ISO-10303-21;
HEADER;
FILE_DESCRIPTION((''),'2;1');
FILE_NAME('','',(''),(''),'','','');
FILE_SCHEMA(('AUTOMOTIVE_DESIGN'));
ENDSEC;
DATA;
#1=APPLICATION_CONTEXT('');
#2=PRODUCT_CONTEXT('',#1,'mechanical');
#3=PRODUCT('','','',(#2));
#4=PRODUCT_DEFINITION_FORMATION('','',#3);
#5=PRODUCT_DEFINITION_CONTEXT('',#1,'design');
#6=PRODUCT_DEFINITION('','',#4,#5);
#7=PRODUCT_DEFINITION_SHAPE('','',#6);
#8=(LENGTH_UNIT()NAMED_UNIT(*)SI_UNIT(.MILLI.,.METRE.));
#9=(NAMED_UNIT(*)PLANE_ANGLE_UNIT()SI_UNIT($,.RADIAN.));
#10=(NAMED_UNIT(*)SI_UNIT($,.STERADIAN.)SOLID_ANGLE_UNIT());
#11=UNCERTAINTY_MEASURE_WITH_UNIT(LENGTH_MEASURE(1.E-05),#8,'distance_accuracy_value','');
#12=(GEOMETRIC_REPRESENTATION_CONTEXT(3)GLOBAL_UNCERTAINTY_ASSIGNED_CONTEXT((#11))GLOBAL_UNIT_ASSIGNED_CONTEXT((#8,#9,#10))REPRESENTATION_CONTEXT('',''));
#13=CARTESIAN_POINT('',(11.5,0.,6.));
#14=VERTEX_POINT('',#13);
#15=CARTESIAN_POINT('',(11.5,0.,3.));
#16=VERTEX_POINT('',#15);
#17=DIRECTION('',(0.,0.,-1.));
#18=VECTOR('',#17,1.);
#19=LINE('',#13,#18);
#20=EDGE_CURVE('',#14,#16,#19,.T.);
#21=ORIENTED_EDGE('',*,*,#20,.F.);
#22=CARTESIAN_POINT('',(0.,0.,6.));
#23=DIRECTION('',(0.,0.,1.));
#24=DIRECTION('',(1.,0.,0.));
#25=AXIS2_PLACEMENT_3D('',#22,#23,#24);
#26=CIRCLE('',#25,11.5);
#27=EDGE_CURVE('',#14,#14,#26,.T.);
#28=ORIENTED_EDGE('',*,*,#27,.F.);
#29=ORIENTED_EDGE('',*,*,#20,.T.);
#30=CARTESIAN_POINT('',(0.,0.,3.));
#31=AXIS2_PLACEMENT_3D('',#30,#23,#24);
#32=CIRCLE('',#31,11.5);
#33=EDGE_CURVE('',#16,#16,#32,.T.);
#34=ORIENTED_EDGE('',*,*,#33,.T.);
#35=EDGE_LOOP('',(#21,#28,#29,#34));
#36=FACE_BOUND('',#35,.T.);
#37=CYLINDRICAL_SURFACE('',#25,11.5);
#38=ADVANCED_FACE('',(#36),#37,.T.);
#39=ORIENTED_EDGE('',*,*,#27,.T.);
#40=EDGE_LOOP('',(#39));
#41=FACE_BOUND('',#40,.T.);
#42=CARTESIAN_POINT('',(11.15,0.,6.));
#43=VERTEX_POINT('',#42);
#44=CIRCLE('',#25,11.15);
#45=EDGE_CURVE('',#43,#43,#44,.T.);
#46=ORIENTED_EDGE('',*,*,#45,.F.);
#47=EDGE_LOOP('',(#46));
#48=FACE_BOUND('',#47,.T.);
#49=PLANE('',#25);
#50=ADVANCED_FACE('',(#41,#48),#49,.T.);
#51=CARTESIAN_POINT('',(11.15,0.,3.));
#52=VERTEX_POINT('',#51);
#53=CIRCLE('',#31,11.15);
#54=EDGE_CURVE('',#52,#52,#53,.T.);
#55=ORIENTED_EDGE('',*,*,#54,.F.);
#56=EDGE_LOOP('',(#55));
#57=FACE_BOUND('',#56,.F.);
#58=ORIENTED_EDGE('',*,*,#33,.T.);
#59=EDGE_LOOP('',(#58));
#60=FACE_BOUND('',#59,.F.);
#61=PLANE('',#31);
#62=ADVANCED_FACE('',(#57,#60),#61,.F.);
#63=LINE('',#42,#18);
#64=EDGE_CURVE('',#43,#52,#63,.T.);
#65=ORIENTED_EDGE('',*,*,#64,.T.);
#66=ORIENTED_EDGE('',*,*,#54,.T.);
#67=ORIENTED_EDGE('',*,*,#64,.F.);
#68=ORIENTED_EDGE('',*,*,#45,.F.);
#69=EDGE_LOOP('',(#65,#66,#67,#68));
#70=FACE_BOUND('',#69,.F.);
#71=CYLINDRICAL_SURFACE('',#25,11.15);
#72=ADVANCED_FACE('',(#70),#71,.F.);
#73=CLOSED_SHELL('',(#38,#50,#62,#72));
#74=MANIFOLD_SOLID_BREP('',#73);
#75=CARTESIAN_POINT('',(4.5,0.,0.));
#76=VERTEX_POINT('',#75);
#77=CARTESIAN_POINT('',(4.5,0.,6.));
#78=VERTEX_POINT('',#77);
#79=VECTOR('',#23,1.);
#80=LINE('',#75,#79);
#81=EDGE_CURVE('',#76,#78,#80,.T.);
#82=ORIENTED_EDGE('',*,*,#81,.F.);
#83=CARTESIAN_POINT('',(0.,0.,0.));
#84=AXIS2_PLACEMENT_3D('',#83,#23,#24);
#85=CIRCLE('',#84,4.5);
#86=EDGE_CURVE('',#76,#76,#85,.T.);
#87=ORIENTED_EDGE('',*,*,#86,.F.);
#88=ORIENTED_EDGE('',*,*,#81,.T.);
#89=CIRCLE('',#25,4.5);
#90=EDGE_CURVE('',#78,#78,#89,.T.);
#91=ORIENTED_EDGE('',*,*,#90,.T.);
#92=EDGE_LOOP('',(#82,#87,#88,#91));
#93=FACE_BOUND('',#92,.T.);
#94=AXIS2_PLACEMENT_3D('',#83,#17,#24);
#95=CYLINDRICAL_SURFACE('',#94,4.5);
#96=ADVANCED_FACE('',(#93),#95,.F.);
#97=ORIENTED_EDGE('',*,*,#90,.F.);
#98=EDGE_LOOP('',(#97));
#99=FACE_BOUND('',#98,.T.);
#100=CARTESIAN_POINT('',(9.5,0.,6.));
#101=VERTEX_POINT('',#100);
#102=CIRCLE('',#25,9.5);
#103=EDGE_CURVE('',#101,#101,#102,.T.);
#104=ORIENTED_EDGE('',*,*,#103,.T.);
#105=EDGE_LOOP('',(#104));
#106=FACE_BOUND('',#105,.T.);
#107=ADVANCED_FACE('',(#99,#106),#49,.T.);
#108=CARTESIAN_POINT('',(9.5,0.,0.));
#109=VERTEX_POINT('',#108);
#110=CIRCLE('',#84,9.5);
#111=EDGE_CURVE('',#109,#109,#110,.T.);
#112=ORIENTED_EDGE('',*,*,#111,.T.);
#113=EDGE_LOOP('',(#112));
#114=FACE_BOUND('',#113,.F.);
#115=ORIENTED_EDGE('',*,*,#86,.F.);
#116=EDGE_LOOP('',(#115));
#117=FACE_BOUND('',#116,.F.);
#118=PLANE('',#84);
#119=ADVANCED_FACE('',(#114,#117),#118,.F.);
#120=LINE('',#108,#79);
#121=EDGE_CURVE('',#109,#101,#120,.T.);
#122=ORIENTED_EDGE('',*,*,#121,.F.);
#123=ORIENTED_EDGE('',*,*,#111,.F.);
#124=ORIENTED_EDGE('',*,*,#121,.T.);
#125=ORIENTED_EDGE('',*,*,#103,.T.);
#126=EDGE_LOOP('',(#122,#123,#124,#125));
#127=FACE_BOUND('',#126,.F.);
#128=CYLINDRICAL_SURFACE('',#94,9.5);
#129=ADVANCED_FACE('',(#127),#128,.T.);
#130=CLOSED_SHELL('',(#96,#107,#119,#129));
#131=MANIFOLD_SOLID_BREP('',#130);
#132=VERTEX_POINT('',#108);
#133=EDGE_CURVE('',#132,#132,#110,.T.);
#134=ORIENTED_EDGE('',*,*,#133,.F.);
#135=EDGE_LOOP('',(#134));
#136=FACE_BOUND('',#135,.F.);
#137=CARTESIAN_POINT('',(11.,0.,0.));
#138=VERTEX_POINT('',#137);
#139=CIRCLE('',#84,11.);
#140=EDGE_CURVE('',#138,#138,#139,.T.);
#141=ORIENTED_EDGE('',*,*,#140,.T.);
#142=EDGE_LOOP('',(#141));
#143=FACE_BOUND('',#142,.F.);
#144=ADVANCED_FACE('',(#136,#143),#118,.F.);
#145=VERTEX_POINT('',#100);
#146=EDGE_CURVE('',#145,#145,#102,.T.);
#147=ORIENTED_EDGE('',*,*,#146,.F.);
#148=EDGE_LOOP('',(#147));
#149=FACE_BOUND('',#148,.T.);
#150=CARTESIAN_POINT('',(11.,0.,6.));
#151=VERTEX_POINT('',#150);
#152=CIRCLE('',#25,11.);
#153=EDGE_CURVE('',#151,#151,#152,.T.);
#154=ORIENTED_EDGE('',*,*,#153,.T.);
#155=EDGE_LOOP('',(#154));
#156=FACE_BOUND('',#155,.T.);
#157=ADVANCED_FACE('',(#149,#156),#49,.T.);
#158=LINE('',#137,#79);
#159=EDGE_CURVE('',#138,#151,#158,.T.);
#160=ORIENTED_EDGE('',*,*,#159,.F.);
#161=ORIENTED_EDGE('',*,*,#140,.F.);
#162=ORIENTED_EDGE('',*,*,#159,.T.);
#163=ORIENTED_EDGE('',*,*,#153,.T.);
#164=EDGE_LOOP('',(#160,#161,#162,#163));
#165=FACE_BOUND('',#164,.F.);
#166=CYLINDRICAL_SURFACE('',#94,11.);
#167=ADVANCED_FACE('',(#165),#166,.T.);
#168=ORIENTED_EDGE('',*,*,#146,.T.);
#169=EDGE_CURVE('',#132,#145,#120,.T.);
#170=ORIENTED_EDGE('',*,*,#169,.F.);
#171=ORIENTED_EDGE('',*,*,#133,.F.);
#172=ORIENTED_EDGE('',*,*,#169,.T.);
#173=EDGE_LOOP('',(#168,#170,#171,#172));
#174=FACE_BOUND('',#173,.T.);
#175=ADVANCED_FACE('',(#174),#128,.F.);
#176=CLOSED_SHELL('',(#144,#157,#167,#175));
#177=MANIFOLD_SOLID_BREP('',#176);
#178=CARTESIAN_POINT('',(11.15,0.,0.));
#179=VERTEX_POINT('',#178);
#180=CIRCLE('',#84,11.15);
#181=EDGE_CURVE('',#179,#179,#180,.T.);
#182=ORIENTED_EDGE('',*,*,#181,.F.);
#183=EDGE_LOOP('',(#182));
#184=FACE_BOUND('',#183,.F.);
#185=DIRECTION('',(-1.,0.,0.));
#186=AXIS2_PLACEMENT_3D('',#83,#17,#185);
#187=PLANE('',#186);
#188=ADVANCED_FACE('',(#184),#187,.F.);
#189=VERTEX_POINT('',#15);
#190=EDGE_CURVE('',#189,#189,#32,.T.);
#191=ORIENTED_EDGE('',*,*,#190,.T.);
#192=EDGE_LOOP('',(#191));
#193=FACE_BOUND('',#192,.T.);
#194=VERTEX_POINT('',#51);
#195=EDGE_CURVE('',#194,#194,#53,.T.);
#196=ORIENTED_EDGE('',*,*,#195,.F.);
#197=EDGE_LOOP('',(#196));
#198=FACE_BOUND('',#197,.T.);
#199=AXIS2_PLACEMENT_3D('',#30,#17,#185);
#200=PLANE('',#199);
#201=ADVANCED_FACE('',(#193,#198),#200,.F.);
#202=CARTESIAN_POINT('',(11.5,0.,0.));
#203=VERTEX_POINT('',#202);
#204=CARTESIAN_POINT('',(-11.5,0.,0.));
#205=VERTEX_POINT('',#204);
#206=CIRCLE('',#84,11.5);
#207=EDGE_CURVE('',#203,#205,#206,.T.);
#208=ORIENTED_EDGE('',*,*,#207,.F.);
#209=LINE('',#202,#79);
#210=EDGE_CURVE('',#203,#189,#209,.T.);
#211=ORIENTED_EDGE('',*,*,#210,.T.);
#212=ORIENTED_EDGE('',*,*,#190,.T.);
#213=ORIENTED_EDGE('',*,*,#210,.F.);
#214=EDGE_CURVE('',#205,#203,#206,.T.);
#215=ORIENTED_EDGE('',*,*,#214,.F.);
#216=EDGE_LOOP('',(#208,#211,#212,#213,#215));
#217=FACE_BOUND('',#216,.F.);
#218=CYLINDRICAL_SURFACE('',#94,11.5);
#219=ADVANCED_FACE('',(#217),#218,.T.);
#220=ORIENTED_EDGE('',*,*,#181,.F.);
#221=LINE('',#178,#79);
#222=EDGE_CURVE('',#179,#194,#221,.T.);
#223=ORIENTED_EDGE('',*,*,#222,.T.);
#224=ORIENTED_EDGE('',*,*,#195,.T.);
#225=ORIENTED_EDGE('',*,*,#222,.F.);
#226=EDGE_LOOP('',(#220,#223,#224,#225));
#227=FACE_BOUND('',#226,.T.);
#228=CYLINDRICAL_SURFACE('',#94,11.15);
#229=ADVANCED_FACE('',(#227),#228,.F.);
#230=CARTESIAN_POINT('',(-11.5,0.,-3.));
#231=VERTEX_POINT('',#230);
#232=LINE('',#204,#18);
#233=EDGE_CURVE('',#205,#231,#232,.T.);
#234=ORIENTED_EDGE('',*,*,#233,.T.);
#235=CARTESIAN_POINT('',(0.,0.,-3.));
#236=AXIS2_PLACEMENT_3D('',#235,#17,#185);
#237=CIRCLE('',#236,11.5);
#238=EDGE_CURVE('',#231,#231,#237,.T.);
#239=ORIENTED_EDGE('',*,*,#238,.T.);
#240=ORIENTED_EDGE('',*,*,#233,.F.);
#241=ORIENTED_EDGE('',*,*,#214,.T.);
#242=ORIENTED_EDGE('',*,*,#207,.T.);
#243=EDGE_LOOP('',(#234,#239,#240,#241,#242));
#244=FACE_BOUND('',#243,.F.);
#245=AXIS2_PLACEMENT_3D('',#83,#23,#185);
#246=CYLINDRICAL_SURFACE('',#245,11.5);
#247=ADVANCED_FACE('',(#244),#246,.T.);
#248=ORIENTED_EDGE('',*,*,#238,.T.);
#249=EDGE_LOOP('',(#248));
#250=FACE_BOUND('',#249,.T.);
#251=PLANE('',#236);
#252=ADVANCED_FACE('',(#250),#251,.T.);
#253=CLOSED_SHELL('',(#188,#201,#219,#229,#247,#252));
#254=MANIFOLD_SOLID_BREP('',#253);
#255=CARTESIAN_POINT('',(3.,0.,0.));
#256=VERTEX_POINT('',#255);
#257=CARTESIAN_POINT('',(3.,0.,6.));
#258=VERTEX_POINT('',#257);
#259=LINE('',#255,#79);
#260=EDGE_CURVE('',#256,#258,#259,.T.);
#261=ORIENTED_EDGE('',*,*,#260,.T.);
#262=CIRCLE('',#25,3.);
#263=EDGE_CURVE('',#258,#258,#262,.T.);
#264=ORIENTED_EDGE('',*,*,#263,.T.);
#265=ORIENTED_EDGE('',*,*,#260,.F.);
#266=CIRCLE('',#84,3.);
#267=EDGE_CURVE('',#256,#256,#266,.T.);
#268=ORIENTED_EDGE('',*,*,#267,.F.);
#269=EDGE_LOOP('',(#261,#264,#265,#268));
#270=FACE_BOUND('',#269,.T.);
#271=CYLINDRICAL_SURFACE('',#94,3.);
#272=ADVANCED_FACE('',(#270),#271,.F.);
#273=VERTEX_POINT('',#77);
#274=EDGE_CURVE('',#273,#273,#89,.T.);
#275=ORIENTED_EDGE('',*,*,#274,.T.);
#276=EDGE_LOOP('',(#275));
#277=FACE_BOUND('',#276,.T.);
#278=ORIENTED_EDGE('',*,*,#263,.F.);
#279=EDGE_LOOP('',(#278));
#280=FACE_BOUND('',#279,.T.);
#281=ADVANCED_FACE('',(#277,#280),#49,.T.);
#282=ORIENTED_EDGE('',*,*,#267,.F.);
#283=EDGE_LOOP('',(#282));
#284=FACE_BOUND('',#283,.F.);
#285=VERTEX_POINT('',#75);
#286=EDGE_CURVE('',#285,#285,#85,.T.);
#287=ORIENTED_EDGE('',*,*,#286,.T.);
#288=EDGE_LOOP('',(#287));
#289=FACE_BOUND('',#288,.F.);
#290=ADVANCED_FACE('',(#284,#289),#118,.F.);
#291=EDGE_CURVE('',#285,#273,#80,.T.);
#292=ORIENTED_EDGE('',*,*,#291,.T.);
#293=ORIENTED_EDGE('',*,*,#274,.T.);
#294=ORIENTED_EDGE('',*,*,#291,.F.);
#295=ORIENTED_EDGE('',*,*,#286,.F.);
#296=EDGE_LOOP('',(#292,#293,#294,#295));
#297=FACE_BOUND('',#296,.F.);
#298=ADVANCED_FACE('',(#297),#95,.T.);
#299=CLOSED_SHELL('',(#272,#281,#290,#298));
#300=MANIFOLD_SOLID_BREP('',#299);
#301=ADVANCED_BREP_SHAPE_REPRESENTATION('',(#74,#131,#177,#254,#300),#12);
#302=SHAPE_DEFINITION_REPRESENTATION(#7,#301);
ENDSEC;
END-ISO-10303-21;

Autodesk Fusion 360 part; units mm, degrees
sketch "Sketch1" plane through (0, 0, 0) normal (0, 0, 1) x (1, 0, 0)
  circle A0 centre (0, 0) radius 3
  circle A1 centre (0, 0) radius 4.5
  circle A2 centre (0, 0) radius 9.5
  circle A3 centre (0, 0) radius 11
  dimension "d1" = 6
  dimension "d2" = 9
  dimension "d3" = 19
  dimension "d4" = 22
extrude "Extrude1" add sketch "Sketch1" along normal blind 6 contours A3 makes body 1
extrude "Extrude2" add sketch "Sketch1" along normal blind 6 separate body contours A2 makes body 2
extrude "Extrude3" add sketch "Sketch1" along normal blind 6 separate body contours A1 makes body 3
sketch "Sketch2" plane through (0, 0, 6) normal (0, 0, 1) x (1, 0, 0)
  circle A0 centre (0, 0) radius 9.5
  circle A1 centre (0, 0) radius 11
  circle A2 centre (0, 0) radius 11.5
  circle A3 centre (0, 0) radius 11.15
  dimension "d11" = 22.3
extrude "Extrude4" add sketch "Sketch2" against normal blind 3 separate body contours A2 makes body 4
ref_plane "WorkPlane1" through (0, 0, 3) normal (0, 0, 1) x (1, 0, 0)
mirror "Mirror1" about plane through (0, 0, 3) normal (0, 0, 1) of "Extrude4" makes body 5
sketch "Sketch3" plane through (0, 0, 0) normal (0, 0, -1) x (-1, 0, 0)
  circle A0 centre (0, 0) radius 11.15
  circle A1 centre (0, 0) radius 11.5
  circle A2 centre (0, 0) radius 11.5
extrude "Extrude5" add sketch "Sketch3" along normal blind 3 separate body contours A0 | A1 A2 makes body 6
combine "Combine1" operation add target body 5 tool bodies 6
sketch "Sketch4" plane through (0, 0, 6) normal (0, 0, 1) x (1, 0, 0)
  circle A0 centre (0, 0) radius 11.15
  circle A1 centre (0, 0) radius 11.5
  line L0 (-4.9572, 10.4939) -> (-5.6603, 11.5434)
  arc A2 (-5.6603, 11.5434) -> (-8.3245, 9.76) centre (-7.015, 10.6854) ccw
  line L1 (-7.588, 8.7179) -> (-8.3245, 9.76)
  arc A3 (-4.9572, 10.4939) -> (-7.616, 8.7574) centre (0, 0) ccw
